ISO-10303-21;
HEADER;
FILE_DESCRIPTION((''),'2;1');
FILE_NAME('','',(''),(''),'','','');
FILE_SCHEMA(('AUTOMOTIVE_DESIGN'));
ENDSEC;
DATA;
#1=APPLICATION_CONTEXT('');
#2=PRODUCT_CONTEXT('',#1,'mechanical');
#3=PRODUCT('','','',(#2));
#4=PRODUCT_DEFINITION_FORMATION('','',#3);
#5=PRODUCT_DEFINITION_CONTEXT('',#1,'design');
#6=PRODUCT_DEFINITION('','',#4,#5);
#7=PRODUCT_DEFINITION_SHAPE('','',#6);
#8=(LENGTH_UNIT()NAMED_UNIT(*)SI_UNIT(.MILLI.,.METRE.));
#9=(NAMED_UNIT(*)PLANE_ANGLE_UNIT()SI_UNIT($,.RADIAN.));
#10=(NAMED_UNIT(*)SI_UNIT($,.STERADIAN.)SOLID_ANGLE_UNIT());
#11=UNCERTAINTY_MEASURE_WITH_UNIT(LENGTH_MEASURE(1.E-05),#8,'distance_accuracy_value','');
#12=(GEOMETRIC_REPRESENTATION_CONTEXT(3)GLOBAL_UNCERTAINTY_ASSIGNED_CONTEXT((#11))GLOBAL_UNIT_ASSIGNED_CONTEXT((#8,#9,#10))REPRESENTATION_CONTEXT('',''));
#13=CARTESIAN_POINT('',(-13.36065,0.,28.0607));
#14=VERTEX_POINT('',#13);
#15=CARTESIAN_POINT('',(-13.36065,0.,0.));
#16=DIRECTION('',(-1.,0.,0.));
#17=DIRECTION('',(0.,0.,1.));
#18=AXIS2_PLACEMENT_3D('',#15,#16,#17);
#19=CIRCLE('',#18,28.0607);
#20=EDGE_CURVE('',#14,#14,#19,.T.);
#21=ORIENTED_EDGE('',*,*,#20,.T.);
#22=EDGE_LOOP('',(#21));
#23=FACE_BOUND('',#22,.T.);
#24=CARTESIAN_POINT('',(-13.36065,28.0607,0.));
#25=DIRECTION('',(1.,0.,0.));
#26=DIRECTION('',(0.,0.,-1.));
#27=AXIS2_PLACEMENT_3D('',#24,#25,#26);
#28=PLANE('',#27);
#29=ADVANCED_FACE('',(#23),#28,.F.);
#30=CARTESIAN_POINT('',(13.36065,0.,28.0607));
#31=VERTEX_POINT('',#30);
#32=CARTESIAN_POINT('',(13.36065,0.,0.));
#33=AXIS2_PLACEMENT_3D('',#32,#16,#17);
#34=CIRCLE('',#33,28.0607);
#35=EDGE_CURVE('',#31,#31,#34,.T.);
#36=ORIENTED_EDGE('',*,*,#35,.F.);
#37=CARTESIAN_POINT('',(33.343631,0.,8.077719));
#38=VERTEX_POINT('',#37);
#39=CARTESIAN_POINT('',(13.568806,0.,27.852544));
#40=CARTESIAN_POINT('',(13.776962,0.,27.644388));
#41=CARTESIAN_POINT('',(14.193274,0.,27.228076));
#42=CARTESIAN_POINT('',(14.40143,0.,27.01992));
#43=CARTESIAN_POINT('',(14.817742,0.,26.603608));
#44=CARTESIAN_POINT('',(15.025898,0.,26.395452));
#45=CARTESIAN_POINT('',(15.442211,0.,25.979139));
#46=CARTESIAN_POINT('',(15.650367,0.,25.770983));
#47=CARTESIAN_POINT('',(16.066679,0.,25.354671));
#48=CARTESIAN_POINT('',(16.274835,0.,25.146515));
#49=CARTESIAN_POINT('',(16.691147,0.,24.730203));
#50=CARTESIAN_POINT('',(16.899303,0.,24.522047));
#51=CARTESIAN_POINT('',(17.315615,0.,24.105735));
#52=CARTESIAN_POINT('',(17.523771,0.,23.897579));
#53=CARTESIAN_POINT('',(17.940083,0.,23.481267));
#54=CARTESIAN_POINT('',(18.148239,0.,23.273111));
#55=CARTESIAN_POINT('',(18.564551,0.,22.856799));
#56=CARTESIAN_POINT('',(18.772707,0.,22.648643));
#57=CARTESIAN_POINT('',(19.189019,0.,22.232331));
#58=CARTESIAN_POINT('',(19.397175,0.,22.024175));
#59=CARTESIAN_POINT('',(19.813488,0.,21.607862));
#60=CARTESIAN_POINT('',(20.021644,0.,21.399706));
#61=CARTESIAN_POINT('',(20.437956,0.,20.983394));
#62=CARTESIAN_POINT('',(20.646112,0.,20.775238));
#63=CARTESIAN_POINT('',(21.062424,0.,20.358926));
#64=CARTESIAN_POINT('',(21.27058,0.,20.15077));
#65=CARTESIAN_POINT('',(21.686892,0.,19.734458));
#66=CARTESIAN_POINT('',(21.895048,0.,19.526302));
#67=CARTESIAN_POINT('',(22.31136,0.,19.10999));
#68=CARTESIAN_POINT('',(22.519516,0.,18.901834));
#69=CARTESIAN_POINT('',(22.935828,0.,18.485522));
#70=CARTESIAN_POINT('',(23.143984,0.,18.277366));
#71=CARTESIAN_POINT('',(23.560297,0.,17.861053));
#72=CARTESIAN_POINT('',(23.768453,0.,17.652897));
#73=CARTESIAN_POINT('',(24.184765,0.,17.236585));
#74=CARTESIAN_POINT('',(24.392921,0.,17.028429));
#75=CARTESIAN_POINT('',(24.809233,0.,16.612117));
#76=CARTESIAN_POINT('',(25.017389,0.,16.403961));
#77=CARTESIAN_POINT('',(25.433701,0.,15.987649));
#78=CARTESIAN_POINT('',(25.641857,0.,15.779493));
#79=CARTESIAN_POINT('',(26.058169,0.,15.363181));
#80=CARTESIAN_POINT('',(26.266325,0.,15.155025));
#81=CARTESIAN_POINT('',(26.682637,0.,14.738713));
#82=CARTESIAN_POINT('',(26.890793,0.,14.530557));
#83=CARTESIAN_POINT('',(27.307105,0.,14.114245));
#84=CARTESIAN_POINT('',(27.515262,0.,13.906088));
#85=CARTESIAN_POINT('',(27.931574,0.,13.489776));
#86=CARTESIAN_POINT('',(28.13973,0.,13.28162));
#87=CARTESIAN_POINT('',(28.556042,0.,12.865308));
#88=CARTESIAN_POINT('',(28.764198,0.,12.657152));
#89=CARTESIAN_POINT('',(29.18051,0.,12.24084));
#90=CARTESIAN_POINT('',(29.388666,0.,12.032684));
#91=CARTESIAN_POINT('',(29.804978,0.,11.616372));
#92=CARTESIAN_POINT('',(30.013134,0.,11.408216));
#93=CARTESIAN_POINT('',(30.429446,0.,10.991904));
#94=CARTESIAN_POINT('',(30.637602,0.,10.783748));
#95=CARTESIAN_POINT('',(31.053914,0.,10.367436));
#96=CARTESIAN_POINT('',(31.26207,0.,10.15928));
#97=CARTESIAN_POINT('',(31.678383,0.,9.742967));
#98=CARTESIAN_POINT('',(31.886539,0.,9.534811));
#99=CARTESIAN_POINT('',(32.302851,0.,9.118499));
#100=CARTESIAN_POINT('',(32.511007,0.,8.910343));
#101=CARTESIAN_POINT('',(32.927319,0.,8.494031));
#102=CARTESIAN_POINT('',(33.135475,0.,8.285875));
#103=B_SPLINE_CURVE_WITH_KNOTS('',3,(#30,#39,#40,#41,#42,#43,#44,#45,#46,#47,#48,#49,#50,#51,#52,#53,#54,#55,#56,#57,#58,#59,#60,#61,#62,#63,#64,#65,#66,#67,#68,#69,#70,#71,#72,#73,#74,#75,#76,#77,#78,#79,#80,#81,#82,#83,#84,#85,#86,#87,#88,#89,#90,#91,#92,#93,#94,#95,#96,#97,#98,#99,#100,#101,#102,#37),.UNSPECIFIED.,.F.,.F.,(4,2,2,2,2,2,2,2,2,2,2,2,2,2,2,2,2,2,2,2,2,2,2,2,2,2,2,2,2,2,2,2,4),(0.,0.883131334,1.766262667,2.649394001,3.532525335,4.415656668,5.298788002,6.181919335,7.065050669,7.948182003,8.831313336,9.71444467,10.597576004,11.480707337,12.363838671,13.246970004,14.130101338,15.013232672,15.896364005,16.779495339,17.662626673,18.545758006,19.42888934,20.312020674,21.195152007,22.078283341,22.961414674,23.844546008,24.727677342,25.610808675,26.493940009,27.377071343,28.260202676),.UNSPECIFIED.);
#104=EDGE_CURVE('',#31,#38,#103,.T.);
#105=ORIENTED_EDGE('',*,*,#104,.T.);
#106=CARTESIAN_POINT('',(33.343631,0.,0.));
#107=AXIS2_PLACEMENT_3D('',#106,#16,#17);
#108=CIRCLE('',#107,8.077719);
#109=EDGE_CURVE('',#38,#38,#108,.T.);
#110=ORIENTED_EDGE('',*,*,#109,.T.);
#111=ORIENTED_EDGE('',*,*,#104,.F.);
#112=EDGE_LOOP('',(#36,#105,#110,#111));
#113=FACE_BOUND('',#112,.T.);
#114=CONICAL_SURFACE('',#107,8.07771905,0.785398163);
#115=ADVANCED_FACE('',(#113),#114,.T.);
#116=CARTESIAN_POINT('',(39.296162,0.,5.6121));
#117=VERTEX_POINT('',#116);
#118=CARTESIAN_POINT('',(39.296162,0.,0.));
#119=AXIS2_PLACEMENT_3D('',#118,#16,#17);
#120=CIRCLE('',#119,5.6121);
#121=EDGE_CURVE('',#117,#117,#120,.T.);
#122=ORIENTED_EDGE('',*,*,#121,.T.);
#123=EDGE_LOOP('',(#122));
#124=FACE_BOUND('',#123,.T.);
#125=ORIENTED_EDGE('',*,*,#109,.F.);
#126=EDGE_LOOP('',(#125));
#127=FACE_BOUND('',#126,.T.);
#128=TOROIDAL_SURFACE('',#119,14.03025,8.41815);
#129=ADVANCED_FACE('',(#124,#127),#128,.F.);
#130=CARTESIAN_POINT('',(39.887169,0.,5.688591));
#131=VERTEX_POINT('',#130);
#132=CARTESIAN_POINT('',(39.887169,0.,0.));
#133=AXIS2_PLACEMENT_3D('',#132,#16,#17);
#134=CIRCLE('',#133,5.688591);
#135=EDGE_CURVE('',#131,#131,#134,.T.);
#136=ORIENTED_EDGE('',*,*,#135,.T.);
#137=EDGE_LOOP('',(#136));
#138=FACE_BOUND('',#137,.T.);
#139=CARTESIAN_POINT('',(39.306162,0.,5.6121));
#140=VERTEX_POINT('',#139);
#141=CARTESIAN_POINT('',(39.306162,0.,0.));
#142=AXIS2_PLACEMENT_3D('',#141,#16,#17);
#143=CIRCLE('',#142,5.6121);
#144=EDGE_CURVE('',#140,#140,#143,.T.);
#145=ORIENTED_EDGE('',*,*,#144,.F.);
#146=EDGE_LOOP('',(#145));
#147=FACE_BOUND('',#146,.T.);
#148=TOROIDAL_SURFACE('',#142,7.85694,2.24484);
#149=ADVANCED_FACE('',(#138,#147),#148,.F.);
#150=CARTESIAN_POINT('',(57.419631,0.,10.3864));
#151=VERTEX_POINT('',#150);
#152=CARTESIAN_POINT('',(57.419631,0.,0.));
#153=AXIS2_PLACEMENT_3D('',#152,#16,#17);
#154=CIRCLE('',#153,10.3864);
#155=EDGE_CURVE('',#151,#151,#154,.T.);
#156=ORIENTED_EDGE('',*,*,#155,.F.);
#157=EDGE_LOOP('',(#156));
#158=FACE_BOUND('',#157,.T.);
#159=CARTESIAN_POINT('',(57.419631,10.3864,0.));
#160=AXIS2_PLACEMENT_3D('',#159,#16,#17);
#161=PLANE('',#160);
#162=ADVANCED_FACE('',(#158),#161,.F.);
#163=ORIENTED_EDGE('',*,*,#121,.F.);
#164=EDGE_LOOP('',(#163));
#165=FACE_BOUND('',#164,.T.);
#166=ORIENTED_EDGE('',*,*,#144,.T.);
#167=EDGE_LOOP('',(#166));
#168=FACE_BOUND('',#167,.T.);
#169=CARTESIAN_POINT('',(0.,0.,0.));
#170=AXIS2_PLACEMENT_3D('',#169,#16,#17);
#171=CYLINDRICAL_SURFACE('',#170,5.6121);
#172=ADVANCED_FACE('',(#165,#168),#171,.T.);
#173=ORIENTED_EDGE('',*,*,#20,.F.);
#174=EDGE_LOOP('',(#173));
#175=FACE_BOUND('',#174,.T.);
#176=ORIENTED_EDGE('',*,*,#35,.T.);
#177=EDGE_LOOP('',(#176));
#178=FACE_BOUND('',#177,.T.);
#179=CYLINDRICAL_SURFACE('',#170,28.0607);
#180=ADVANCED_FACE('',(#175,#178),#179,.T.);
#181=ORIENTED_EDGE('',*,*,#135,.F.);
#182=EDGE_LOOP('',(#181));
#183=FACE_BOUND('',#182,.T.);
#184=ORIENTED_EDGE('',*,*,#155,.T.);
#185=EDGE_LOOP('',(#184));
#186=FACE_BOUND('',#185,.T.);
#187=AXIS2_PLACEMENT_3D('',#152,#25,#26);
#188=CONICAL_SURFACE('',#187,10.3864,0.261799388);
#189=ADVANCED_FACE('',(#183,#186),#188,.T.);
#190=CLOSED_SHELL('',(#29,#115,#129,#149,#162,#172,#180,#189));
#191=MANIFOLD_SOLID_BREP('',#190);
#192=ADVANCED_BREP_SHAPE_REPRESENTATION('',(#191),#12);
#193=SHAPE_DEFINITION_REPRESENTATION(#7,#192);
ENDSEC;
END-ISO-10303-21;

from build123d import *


with BuildPart() as part:
    # Sketch1 → Revolve1 (revolve)
    with BuildSketch(Plane.XY, mode=Mode.PRIVATE) as revolve1_sk:
        with BuildLine():
            Line((-13.36065, 28.0607), (13.36065, 28.0607))
            Line((13.36065, 28.0607), (33.34363095, 8.07771905))
            ThreePointArc((33.34363095, 8.07771905), (36.074675364, 6.252893513), (39.2961619, 5.6121))
            Line((39.2961619, 5.6121), (39.3061619, 5.6121))
            ThreePointArc((39.3061619, 5.6121), (39.599172317, 5.631304917), (39.887169245, 5.688591068))
            Line((39.887169245, 5.688591068), (57.419630863, 10.3864))
            Line((57.419630863, 10.3864), (57.419630863, 0))
            Line((57.419630863, 0), (-13.36065, 0))
            Line((-13.36065, 0), (-13.36065, 28.0607))
        make_face()
    revolve(revolve1_sk.sketch.rotate(Axis((0, 0, 0), (1, 0, 0)), 90), axis=Axis((0, 0, 0), (1, 0, 0)))


solid = part.part
